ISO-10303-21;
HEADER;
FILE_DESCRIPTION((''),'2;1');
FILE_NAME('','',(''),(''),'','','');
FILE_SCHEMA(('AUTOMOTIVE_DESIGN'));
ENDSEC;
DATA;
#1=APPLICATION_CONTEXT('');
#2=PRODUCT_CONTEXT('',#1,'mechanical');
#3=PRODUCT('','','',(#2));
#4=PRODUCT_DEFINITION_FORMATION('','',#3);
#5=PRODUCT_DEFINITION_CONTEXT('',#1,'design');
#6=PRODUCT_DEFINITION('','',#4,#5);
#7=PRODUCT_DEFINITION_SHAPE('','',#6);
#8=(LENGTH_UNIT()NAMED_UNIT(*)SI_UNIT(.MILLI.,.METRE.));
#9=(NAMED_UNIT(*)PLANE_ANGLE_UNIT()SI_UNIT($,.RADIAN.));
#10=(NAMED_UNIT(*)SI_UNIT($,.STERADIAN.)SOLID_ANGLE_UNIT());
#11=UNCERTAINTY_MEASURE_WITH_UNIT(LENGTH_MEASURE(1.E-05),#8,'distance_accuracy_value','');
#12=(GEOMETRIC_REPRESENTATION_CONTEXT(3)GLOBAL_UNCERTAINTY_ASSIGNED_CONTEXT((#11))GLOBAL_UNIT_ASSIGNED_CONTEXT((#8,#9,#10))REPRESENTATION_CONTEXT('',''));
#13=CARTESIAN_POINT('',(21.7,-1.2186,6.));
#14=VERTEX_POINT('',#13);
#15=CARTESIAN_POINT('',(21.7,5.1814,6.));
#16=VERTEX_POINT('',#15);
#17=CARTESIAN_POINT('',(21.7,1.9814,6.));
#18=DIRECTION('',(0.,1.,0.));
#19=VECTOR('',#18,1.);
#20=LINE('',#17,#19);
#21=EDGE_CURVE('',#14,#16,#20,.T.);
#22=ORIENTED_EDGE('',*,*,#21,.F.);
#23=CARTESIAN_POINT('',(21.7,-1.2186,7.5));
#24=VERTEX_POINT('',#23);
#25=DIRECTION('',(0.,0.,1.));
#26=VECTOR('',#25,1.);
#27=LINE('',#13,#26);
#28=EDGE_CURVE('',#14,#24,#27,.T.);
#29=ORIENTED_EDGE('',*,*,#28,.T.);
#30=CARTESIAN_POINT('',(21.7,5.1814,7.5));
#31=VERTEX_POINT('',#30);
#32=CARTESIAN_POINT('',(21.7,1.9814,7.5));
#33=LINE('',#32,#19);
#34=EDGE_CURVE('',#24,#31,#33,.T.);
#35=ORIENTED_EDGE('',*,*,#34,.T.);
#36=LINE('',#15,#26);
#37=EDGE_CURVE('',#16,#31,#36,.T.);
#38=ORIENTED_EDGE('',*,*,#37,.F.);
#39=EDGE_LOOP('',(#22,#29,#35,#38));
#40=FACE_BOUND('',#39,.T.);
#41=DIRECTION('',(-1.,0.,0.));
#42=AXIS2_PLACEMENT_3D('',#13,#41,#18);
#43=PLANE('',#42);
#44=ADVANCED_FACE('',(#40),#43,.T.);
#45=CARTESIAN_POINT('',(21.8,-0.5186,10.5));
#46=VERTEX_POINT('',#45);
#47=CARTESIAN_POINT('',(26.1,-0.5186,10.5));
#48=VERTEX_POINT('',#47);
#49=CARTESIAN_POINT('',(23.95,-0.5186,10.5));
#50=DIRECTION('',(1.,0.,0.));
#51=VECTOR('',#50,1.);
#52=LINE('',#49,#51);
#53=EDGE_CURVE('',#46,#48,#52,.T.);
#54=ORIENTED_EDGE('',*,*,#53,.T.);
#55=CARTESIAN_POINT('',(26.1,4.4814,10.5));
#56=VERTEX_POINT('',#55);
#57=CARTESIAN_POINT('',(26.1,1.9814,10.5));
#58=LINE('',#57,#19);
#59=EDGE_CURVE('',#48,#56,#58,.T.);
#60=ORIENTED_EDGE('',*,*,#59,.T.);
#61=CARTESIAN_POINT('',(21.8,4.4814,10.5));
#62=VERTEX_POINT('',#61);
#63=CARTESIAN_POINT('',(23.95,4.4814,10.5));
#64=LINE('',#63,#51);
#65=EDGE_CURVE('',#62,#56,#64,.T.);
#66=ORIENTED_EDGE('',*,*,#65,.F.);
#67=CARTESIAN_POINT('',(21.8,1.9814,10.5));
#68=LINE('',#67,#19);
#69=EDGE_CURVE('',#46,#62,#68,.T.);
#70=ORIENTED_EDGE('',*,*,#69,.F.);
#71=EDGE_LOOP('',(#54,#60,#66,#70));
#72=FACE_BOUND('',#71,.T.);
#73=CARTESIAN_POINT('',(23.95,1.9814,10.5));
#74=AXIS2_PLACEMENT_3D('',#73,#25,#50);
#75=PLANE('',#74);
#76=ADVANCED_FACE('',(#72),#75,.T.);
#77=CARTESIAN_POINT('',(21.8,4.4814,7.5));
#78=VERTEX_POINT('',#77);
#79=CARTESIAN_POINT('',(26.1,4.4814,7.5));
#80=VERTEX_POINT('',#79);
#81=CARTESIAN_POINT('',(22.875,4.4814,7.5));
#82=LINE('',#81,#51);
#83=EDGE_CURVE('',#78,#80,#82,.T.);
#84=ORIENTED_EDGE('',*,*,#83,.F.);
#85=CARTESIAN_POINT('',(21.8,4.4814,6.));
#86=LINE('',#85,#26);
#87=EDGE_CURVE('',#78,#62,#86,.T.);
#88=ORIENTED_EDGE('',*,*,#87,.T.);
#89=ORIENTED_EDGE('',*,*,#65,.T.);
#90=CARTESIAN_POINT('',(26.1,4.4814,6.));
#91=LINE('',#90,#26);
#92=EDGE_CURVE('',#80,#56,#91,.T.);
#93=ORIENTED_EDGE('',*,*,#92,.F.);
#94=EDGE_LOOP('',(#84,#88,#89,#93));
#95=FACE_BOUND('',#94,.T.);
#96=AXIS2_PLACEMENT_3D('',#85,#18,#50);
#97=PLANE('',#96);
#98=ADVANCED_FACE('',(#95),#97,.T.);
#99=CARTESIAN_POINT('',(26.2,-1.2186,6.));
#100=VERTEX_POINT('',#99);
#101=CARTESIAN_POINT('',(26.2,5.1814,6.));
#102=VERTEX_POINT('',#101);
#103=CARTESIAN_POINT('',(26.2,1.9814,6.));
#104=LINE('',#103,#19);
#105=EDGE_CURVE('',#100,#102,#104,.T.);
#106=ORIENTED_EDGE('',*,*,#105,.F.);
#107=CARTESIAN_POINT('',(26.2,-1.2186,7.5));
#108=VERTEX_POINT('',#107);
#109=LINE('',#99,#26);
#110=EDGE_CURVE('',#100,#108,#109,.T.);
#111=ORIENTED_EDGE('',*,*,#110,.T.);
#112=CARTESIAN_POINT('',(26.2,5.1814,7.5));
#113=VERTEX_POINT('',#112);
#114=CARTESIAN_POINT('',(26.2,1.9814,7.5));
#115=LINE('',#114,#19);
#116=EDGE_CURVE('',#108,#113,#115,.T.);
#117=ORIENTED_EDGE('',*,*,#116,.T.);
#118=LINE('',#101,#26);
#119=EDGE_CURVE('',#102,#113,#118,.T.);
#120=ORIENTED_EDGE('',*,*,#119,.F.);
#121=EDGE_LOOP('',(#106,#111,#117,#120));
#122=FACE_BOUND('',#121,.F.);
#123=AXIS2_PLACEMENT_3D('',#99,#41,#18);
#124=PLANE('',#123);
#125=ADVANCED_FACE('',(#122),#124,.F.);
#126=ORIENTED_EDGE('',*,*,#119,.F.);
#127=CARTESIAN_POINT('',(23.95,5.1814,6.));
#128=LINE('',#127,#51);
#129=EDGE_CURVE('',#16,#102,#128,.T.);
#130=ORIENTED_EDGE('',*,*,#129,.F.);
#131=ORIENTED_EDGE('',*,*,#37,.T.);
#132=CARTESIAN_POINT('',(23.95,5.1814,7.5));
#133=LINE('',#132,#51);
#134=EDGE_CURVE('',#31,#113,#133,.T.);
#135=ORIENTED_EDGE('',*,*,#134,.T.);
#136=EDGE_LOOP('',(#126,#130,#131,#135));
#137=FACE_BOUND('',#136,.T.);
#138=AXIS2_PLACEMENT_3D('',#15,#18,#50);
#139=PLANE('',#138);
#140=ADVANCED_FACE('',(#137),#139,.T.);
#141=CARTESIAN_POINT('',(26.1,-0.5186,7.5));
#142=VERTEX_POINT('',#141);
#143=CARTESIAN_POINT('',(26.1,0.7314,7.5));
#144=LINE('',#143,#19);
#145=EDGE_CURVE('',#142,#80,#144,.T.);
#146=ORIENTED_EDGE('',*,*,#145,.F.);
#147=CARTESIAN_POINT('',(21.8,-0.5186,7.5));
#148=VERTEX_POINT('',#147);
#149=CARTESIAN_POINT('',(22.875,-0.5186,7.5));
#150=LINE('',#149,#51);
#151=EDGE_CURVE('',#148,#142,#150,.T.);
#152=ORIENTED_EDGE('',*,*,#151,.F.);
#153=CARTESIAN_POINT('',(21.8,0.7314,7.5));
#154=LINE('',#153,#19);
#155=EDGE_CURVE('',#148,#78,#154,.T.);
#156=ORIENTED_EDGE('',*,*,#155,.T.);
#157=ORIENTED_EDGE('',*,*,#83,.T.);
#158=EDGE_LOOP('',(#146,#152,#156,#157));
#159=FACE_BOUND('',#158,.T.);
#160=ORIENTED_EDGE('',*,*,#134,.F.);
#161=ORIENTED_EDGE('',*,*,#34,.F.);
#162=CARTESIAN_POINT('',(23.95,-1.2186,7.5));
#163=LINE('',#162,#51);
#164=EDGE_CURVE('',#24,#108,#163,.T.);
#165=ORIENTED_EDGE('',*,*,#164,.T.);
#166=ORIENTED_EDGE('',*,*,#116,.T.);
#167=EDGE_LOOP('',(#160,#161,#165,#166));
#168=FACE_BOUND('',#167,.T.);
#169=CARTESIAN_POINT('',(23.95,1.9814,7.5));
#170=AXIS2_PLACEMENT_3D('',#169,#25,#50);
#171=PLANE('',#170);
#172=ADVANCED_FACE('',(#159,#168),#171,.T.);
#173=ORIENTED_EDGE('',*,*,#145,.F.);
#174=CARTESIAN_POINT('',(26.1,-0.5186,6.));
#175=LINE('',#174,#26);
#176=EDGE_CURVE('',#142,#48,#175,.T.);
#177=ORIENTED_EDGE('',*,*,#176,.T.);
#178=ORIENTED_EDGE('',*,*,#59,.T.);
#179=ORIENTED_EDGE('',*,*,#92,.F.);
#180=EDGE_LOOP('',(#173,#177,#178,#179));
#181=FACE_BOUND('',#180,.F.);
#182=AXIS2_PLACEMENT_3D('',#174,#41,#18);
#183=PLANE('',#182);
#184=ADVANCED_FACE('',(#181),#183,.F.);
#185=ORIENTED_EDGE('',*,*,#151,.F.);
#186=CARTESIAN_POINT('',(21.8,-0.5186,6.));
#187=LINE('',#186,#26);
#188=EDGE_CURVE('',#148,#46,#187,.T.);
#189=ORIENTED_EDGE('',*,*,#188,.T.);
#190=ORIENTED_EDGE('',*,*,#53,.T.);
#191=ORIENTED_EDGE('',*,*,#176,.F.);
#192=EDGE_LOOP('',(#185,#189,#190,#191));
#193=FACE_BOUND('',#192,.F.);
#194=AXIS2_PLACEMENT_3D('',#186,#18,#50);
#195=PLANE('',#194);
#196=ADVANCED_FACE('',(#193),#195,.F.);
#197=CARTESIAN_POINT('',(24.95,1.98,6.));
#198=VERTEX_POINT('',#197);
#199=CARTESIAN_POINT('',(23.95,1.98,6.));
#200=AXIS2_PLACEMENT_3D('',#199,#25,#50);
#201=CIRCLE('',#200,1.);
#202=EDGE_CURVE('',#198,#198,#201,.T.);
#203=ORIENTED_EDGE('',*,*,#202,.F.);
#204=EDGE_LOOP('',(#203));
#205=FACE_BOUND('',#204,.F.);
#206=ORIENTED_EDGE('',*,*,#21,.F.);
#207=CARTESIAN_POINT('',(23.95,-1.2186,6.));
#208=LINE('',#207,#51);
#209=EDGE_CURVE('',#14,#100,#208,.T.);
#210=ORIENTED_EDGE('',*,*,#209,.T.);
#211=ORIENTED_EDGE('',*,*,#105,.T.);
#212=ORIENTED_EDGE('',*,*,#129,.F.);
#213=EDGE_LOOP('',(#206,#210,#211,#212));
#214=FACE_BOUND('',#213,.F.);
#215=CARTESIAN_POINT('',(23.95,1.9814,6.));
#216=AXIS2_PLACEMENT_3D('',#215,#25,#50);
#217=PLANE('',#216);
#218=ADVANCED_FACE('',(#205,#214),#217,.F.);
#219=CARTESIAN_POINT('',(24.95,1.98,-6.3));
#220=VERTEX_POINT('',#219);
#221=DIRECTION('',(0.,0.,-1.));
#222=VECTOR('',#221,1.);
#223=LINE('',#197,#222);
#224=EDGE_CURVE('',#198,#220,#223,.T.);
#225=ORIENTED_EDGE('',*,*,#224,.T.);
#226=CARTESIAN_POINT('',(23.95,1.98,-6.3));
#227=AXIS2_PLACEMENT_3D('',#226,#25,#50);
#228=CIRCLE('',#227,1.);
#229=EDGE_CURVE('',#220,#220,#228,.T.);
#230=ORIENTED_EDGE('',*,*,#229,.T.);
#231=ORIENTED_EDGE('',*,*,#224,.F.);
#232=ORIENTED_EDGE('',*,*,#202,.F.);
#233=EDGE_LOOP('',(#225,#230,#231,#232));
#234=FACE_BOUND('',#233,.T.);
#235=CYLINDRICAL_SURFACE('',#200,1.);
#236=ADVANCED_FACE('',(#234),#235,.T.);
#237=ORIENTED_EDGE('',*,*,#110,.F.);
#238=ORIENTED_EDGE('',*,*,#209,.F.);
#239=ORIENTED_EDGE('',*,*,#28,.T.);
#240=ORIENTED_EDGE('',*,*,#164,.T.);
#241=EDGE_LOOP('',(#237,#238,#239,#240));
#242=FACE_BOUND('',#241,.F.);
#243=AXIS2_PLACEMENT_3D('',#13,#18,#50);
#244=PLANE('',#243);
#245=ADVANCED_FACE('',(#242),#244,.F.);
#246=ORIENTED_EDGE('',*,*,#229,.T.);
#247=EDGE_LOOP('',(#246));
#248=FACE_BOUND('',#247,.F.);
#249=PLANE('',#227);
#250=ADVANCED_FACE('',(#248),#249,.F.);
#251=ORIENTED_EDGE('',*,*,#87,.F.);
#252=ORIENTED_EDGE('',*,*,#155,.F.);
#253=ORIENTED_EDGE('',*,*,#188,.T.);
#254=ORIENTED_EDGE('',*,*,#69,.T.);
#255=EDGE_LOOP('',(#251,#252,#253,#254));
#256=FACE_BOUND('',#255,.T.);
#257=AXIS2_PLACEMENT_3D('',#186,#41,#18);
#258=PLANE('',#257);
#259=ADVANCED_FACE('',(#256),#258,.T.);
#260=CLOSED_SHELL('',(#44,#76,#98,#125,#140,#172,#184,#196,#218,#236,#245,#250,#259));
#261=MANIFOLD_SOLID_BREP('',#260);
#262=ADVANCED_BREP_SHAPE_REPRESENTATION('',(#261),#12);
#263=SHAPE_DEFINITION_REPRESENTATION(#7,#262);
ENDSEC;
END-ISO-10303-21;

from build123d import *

# Parameters (mm, degrees)
SKETCH038_W  = 4.3
SKETCH038_H  = 5
PAD018_DEPTH = 4.5
SKETCH039_W  = 4.5
SKETCH039_H  = 6.4
PAD019_DEPTH = 1.5
SKETCH040_R  = 1
PAD020_DEPTH = 12.3


with BuildPart() as part:
    # Sketch038 → Pad018 (new body)
    with BuildSketch(Plane.XY):
        with Locations((23.95, 1.9814)):
            Rectangle(SKETCH038_W, SKETCH038_H)
    extrude(amount=PAD018_DEPTH)

    # Sketch039 → Pad019 (join)
    with BuildSketch(Plane.XY):
        with Locations((23.95, 1.9814)):
            Rectangle(SKETCH039_W, SKETCH039_H)
    extrude(amount=PAD019_DEPTH)

    # Sketch040 → Pad020 (join)
    with BuildSketch(Plane.XY):
        with Locations((23.95, 1.98)):
            Circle(SKETCH040_R)
    extrude(amount=-PAD020_DEPTH)


with BuildPart() as part_1:
    # Body005 placement: moved
    add(part.part.moved(Location((0, 0, 6))))


solid = part_1.part
